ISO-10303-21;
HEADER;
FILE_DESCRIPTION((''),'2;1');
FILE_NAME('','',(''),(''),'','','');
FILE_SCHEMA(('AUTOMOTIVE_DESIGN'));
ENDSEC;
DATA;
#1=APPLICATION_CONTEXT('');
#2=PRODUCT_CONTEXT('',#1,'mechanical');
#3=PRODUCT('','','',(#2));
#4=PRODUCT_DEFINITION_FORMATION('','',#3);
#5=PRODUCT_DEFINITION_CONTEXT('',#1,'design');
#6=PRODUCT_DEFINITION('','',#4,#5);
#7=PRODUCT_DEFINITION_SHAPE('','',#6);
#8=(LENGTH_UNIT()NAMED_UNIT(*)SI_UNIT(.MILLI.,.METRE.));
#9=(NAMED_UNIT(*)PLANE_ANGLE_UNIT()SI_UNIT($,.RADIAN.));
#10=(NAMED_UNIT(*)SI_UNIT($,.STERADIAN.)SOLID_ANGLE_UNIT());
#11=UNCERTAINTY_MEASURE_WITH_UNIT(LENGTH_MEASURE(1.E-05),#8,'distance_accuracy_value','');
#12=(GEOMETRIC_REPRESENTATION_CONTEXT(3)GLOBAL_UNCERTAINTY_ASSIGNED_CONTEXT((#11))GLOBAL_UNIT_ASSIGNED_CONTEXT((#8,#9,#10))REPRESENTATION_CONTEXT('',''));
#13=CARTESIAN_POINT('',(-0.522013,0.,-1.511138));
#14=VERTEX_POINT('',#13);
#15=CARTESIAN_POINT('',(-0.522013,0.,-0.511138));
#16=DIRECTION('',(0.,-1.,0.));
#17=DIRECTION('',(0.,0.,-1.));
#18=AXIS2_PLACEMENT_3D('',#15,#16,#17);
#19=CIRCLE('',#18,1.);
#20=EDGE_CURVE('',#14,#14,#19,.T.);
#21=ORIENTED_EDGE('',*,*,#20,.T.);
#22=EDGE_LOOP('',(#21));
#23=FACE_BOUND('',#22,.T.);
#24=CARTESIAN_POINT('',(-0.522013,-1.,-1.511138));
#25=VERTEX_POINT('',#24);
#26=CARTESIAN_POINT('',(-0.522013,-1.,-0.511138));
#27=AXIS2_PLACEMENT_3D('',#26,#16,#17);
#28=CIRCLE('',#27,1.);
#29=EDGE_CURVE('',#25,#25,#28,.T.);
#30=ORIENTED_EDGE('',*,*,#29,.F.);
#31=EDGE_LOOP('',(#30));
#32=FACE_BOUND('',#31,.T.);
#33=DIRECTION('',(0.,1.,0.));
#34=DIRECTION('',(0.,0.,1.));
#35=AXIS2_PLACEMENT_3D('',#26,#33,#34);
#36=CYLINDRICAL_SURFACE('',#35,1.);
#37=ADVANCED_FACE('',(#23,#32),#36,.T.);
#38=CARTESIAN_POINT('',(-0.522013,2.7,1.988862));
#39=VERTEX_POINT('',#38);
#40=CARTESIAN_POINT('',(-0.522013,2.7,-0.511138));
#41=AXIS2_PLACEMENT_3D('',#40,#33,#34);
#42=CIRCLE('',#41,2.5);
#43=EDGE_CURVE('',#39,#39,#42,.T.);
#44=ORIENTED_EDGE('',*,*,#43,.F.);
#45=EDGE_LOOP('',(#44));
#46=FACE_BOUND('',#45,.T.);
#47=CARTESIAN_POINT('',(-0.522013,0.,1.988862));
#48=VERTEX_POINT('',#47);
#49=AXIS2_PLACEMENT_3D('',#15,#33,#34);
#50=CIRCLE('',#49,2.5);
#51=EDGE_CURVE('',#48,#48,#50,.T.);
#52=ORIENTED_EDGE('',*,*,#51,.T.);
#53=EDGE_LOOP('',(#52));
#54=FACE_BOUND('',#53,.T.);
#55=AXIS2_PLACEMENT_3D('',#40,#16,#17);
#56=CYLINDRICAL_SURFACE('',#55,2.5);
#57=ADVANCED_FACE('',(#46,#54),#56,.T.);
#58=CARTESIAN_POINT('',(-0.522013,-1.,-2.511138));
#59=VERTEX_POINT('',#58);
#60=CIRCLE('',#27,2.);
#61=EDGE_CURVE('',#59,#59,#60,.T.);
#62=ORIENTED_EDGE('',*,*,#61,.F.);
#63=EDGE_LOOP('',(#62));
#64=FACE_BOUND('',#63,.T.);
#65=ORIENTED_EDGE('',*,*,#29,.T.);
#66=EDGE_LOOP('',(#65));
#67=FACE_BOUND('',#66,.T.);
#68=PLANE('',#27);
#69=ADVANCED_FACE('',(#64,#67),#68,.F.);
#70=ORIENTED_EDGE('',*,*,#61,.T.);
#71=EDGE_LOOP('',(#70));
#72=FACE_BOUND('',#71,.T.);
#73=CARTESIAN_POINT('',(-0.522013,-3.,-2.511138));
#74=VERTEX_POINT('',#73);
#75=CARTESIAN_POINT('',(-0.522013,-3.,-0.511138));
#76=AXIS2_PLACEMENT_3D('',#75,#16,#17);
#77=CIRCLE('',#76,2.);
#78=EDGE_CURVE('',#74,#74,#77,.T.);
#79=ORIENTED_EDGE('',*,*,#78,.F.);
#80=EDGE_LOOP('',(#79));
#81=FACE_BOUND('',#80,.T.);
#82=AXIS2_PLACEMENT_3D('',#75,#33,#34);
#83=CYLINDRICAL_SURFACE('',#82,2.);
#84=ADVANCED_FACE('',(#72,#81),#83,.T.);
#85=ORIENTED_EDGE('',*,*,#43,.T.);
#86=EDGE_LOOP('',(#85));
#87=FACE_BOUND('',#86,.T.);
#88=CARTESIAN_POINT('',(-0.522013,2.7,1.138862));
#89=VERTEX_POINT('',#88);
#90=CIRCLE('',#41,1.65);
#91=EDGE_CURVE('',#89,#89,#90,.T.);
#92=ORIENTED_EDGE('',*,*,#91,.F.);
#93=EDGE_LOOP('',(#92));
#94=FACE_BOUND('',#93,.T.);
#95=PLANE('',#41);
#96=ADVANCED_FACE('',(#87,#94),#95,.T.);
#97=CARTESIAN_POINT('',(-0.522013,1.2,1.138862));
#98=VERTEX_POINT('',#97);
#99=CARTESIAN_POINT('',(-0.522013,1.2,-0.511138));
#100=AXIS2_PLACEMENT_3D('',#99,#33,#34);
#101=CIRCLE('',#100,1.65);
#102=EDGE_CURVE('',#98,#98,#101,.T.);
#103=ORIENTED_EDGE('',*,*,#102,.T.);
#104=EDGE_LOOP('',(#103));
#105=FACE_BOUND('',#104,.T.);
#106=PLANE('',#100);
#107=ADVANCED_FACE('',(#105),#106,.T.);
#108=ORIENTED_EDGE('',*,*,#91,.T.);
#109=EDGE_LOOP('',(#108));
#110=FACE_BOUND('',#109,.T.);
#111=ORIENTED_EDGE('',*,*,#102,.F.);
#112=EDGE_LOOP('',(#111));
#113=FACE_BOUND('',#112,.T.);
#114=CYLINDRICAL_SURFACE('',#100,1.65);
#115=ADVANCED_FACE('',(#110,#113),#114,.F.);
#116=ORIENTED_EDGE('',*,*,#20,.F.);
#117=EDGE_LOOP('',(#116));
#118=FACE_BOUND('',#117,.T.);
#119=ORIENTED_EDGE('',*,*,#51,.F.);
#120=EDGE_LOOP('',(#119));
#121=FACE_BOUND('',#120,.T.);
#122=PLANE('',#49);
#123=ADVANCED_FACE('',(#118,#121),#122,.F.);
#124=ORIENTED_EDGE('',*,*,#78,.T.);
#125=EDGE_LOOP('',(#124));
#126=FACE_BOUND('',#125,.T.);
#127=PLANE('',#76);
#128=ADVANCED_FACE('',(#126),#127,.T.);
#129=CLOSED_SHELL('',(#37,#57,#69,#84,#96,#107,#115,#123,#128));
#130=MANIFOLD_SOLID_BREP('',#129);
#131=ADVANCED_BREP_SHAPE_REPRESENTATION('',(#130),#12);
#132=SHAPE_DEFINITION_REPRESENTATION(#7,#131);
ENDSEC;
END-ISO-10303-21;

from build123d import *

# Parameters (mm, degrees)
SKETCH1_R           = 2.5
BOSS_EXTRUDE1_DEPTH = 2.7
SKETCH1_3_R         = 2
BOSS_EXTRUDE2_DEPTH = 1
SKETCH5_R           = 1
BOSS_EXTRUDE3_DEPTH = 1
SKETCH6_R           = 2
BOSS_EXTRUDE4_DEPTH = 2
SKETCH12_R          = 1.65
CUT_EXTRUDE1_DEPTH  = 1.5


with BuildPart() as part:
    # Sketch1 → Boss-Extrude1 (new body)
    with BuildSketch(Plane(origin=(0, 0, 0), x_dir=(1, 0, 0), z_dir=(0, 1, 0))):
        with Locations((-0.522013312, 0.511138034)):
            Circle(SKETCH1_R)
    extrude(amount=BOSS_EXTRUDE1_DEPTH)

    # Sketch1<3> → Boss-Extrude2 (add)
    with BuildSketch(Plane(origin=(0, 0, 0), x_dir=(1, 0, 0), z_dir=(0, 1, 0))):
        with Locations((-0.522013312, 0.511138034)):
            Circle(SKETCH1_3_R)
    extrude(amount=BOSS_EXTRUDE2_DEPTH)

    # Sketch5 → Boss-Extrude3 (add)
    with BuildSketch(Plane.XZ):
        with Locations((-0.522013312, -0.511138034)):
            Circle(SKETCH5_R)
    extrude(amount=BOSS_EXTRUDE3_DEPTH)

    # Sketch6 → Boss-Extrude4 (add)
    with BuildSketch(Plane.XZ.offset(1)):
        with Locations((-0.522013312, -0.511138034)):
            Circle(SKETCH6_R)
    extrude(amount=BOSS_EXTRUDE4_DEPTH)

    # Sketch12 → Cut-Extrude1 (cut)
    with BuildSketch(Plane(origin=(0, 2.7, 0), x_dir=(1, 0, 0), z_dir=(0, 1, 0))):
        with Locations((-0.522013312, 0.511138034)):
            Circle(SKETCH12_R)
    extrude(amount=-CUT_EXTRUDE1_DEPTH, mode=Mode.SUBTRACT)


solid = part.part
